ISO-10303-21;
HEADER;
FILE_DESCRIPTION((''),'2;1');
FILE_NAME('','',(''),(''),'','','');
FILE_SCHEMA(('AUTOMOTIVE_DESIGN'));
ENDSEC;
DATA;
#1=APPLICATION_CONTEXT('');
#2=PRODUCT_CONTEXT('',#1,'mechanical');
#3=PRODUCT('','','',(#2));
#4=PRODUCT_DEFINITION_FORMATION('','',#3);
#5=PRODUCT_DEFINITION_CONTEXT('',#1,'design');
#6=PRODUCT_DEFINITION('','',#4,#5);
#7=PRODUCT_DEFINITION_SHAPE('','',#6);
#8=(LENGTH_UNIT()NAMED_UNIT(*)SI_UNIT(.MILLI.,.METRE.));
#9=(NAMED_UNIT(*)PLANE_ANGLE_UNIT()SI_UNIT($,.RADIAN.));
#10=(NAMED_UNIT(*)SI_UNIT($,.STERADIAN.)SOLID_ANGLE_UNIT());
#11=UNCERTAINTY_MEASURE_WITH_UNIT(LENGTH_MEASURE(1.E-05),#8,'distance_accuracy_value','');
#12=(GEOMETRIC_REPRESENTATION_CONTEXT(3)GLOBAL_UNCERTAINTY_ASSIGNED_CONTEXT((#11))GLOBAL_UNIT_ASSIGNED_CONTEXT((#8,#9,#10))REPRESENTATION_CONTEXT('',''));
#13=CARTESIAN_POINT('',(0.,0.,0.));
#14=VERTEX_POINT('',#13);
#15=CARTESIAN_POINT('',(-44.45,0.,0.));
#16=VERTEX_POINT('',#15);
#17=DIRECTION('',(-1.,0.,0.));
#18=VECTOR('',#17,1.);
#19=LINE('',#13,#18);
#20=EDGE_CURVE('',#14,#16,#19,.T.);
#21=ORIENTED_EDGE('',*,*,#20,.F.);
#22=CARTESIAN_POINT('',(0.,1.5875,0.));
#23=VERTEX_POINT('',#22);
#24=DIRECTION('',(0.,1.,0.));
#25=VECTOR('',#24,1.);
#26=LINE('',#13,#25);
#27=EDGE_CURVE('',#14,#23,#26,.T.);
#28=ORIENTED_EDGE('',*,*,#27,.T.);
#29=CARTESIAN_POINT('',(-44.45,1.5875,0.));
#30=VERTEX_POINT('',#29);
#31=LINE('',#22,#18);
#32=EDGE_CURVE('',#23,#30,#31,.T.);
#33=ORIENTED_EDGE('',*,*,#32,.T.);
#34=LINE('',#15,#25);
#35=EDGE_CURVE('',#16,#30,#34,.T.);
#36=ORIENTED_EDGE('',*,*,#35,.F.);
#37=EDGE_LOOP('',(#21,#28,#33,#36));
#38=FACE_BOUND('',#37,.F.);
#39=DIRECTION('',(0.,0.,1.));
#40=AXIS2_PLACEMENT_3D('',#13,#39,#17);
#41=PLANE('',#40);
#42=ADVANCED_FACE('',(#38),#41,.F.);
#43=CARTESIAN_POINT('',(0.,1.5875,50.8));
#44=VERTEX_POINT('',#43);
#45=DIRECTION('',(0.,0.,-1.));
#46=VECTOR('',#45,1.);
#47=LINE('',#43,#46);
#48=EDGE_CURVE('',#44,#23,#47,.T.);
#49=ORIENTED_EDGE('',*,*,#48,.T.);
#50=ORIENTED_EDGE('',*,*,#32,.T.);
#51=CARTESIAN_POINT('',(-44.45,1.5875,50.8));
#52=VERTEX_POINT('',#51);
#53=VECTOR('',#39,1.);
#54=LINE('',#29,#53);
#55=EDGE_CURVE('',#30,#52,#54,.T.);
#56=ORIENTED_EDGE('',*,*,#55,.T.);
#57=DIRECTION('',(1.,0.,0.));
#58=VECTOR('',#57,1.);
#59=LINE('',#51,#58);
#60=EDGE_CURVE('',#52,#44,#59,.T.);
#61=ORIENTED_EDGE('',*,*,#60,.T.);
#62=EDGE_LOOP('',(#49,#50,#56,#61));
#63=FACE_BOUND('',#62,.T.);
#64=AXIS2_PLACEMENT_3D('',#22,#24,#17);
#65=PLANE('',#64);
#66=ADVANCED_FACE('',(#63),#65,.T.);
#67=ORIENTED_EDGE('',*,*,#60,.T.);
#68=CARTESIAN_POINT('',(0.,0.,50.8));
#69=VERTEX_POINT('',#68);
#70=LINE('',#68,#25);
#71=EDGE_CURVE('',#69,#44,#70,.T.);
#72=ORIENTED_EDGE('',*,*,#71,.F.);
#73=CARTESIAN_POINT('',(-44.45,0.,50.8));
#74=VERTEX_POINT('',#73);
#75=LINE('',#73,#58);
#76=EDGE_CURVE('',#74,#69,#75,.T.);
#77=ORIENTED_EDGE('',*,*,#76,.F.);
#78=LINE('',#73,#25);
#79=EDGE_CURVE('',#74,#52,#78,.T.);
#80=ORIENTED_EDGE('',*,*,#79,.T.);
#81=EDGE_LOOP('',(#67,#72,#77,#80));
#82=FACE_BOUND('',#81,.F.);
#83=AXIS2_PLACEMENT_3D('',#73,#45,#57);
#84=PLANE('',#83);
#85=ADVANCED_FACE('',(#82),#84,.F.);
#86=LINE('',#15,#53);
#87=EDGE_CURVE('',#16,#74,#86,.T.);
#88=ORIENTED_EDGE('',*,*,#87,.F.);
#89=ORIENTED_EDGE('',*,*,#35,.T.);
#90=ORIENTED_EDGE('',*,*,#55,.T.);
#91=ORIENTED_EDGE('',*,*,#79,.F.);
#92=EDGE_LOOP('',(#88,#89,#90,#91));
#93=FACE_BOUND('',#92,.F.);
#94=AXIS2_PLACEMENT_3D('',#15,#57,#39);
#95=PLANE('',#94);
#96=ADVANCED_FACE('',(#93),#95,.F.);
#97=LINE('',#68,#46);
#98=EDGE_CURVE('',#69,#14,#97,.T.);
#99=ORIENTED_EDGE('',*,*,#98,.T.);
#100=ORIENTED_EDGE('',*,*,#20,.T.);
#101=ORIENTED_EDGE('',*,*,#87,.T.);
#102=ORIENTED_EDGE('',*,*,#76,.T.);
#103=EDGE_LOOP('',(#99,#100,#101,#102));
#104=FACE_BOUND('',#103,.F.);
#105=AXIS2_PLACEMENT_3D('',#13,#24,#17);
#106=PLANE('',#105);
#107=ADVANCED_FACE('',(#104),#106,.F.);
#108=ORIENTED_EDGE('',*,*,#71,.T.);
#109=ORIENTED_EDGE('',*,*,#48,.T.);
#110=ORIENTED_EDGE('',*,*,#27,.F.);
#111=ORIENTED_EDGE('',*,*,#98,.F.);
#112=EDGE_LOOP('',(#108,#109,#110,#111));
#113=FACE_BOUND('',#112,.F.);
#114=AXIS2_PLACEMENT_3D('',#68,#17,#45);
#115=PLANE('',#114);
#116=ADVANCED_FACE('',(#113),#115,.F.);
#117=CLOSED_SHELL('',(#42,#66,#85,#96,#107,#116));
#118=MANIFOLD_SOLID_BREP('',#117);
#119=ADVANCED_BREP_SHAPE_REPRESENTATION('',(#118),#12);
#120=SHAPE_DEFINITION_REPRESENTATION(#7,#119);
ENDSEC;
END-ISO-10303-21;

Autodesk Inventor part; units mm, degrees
ref_plane "YZ Plane" through (0, 0, 0) normal (1, 0, 0) x (0, 1, 0)
ref_plane "XZ Plane" through (0, 0, 0) normal (0, 1, 0) x (-1, 0, 0)
ref_plane "XY Plane" through (0, 0, 0) normal (0, 0, 1) x (1, 0, 0)
sketch "Sketch1" plane through (0, 0, 0) normal (0, 1, 0) x (-1, 0, 0)
  line L0 (0, 0) -> (44.45, 0)
  line L1 (44.45, 0) -> (44.45, 50.8)
  line L2 (44.45, 50.8) -> (0, 50.8)
  line L3 (0, 50.8) -> (0, 0)
  dimension "d0" = 44.45
  dimension "d1" = 50.8
extrude "Extrusion1" add sketch "Sketch1" along normal blind 1.5875
properties part number "Hopper Teflon Strip P5"
